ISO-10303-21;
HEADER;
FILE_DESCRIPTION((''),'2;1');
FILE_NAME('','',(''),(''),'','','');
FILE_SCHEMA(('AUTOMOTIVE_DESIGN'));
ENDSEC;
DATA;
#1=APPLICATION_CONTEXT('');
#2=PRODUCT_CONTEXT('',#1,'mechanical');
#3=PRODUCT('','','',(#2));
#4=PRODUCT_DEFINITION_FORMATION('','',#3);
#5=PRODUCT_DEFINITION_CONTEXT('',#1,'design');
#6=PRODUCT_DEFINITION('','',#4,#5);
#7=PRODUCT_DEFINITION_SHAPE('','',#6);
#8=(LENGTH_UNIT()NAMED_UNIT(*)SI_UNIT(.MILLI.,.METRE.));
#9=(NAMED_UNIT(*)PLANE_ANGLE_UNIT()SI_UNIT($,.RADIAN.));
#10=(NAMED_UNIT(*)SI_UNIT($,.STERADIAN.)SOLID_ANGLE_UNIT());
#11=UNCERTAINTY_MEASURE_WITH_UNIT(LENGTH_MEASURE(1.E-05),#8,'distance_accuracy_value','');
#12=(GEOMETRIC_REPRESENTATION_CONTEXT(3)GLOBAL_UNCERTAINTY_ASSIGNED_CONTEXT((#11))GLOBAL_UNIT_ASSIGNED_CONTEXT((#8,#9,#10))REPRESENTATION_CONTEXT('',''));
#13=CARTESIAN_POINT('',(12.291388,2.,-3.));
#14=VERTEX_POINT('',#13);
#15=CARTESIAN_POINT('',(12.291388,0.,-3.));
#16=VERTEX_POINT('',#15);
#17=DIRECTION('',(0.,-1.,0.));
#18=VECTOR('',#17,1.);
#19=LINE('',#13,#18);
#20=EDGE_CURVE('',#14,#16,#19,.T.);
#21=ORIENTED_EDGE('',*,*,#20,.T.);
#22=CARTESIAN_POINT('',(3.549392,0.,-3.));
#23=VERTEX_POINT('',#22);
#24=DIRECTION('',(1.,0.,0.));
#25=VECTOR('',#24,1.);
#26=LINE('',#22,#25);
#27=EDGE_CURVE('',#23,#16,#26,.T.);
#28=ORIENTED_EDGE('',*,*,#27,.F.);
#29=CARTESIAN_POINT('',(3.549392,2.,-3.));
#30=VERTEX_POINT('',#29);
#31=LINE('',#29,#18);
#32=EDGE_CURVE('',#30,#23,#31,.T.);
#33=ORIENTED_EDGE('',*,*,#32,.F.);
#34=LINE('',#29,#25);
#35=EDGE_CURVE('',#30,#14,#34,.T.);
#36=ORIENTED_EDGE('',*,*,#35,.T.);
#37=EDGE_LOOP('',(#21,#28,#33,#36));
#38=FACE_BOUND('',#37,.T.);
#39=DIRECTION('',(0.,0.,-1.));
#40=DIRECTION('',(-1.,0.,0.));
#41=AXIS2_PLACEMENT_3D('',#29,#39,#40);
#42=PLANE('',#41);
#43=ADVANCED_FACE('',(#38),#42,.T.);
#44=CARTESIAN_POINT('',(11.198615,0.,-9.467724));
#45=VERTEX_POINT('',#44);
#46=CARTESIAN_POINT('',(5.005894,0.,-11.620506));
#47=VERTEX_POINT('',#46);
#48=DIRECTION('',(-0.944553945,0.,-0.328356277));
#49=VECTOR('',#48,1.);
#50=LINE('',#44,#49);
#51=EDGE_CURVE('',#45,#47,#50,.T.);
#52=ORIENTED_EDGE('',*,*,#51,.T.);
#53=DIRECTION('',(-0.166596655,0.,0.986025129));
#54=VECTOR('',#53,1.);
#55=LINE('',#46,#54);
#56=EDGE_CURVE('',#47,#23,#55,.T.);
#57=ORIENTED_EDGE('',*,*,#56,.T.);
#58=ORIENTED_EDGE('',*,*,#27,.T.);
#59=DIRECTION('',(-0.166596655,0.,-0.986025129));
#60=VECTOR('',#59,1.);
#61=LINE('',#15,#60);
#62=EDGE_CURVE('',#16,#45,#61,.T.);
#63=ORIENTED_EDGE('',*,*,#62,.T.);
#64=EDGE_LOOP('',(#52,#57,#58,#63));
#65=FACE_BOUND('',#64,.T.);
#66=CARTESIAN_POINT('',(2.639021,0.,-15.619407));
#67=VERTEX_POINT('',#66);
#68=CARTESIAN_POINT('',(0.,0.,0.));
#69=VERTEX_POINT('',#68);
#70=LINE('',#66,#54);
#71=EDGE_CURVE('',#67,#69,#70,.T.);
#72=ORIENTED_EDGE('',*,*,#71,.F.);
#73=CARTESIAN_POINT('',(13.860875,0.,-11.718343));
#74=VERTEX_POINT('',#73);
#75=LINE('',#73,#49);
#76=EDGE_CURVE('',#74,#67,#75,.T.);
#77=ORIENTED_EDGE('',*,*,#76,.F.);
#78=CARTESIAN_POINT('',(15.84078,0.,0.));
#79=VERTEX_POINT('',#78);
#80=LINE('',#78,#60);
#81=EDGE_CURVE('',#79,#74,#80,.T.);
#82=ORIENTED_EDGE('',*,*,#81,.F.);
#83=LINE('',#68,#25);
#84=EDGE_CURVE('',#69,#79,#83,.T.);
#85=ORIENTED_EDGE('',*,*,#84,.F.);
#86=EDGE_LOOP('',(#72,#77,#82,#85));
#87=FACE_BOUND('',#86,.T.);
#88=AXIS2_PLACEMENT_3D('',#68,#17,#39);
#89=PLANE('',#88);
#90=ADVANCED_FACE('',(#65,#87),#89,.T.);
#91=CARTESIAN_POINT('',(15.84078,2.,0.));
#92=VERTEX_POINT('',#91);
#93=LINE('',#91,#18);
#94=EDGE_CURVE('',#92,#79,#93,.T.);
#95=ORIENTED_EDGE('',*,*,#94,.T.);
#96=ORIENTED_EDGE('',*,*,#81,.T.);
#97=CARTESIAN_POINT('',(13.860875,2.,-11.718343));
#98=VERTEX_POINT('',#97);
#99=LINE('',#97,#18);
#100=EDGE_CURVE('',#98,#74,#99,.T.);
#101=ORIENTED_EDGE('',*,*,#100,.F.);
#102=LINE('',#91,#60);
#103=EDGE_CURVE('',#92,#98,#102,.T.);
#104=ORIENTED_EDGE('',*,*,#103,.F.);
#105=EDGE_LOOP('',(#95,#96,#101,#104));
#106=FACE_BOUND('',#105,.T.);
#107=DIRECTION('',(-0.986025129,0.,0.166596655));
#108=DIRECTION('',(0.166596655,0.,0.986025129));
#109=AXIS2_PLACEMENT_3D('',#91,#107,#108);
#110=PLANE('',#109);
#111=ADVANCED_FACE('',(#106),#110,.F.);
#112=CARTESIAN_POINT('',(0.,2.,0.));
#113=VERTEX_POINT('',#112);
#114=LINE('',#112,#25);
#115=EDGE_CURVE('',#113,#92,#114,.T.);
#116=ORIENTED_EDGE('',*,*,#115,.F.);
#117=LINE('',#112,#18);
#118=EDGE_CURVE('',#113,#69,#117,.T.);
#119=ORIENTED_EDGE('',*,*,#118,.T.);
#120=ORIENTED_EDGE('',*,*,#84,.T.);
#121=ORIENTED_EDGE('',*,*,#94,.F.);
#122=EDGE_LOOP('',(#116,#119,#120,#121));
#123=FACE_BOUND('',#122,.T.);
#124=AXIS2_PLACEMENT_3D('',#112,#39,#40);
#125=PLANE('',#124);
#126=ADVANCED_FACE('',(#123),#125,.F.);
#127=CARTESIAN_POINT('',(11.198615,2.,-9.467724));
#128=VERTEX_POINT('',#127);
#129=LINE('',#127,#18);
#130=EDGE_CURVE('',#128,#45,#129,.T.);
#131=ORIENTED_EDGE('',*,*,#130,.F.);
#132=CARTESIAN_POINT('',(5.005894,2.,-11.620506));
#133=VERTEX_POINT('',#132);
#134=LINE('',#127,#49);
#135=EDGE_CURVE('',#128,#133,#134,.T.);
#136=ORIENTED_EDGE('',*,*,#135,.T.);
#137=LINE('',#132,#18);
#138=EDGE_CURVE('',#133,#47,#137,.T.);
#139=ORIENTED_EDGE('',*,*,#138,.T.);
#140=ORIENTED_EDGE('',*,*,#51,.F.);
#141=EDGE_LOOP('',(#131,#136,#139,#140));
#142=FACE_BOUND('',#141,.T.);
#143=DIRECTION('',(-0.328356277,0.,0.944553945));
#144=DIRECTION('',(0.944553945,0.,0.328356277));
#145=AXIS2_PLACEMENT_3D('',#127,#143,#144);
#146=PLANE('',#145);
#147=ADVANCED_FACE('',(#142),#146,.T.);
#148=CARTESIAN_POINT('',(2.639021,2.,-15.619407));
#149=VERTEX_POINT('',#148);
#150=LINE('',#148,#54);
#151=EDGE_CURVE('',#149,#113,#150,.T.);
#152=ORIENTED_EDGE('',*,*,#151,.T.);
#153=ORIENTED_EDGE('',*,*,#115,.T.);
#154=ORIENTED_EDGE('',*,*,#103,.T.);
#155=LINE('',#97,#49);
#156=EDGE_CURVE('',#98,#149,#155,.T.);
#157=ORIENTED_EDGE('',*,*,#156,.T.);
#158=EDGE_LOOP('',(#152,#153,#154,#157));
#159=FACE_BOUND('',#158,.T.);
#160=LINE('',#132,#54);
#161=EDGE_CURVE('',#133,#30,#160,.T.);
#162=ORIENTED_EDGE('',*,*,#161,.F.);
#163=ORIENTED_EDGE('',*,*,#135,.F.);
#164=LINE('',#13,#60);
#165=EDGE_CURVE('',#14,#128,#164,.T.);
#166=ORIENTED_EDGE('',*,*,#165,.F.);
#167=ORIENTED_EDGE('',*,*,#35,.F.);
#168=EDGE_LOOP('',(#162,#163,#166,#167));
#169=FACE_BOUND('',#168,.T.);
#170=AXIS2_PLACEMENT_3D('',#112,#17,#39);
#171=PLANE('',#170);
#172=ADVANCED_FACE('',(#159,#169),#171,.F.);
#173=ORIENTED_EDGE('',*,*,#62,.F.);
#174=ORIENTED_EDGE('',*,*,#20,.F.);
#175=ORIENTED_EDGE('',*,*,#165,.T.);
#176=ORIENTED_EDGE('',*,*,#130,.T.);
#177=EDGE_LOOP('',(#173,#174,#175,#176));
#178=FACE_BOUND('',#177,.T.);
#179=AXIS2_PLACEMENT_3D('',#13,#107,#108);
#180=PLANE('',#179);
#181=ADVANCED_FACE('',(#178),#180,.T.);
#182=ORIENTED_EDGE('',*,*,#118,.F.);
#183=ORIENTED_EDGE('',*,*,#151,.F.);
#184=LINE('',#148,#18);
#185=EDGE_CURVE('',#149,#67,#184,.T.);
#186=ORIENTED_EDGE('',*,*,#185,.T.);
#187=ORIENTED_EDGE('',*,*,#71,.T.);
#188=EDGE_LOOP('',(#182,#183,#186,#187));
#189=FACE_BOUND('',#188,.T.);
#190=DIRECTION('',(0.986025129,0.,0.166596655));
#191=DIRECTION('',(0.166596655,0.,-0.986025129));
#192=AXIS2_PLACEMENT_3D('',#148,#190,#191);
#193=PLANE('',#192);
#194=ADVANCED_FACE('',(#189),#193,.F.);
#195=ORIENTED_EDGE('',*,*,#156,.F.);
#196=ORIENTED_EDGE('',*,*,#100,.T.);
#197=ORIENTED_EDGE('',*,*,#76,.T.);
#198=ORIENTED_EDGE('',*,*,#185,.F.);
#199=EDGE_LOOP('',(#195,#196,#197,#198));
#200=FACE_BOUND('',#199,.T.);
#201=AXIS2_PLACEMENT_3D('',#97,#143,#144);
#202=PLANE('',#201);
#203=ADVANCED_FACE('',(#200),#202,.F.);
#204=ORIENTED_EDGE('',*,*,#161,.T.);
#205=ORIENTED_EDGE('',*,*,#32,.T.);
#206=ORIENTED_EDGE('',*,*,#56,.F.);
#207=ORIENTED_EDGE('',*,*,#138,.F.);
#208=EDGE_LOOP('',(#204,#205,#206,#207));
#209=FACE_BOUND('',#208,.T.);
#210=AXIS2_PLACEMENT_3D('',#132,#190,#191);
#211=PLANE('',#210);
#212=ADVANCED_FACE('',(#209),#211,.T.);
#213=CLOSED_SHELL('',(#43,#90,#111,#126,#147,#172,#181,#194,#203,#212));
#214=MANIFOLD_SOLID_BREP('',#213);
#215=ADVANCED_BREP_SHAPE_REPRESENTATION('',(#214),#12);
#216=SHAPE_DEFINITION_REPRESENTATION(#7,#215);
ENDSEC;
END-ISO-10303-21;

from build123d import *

# Parameters (mm, degrees)
BOSS_EXTRUDE1_DEPTH = 2


with BuildPart() as part:
    # Sketch1 → Boss-Extrude1 (new body)
    with BuildSketch(Plane(origin=(0, 0, 0), x_dir=(1, 0, 0), z_dir=(0, 1, 0))):
        Polygon((0, 0), (15.84078026, 0), (13.860874637, 11.718342674), (2.63902101, 15.619407394), align=None)
        Polygon((5.005894234, 11.620506435), (3.549392266, 3), (12.291387994, 3), (11.198615402, 9.467724294), align=None, mode=Mode.SUBTRACT)
    extrude(amount=BOSS_EXTRUDE1_DEPTH)


solid = part.part
